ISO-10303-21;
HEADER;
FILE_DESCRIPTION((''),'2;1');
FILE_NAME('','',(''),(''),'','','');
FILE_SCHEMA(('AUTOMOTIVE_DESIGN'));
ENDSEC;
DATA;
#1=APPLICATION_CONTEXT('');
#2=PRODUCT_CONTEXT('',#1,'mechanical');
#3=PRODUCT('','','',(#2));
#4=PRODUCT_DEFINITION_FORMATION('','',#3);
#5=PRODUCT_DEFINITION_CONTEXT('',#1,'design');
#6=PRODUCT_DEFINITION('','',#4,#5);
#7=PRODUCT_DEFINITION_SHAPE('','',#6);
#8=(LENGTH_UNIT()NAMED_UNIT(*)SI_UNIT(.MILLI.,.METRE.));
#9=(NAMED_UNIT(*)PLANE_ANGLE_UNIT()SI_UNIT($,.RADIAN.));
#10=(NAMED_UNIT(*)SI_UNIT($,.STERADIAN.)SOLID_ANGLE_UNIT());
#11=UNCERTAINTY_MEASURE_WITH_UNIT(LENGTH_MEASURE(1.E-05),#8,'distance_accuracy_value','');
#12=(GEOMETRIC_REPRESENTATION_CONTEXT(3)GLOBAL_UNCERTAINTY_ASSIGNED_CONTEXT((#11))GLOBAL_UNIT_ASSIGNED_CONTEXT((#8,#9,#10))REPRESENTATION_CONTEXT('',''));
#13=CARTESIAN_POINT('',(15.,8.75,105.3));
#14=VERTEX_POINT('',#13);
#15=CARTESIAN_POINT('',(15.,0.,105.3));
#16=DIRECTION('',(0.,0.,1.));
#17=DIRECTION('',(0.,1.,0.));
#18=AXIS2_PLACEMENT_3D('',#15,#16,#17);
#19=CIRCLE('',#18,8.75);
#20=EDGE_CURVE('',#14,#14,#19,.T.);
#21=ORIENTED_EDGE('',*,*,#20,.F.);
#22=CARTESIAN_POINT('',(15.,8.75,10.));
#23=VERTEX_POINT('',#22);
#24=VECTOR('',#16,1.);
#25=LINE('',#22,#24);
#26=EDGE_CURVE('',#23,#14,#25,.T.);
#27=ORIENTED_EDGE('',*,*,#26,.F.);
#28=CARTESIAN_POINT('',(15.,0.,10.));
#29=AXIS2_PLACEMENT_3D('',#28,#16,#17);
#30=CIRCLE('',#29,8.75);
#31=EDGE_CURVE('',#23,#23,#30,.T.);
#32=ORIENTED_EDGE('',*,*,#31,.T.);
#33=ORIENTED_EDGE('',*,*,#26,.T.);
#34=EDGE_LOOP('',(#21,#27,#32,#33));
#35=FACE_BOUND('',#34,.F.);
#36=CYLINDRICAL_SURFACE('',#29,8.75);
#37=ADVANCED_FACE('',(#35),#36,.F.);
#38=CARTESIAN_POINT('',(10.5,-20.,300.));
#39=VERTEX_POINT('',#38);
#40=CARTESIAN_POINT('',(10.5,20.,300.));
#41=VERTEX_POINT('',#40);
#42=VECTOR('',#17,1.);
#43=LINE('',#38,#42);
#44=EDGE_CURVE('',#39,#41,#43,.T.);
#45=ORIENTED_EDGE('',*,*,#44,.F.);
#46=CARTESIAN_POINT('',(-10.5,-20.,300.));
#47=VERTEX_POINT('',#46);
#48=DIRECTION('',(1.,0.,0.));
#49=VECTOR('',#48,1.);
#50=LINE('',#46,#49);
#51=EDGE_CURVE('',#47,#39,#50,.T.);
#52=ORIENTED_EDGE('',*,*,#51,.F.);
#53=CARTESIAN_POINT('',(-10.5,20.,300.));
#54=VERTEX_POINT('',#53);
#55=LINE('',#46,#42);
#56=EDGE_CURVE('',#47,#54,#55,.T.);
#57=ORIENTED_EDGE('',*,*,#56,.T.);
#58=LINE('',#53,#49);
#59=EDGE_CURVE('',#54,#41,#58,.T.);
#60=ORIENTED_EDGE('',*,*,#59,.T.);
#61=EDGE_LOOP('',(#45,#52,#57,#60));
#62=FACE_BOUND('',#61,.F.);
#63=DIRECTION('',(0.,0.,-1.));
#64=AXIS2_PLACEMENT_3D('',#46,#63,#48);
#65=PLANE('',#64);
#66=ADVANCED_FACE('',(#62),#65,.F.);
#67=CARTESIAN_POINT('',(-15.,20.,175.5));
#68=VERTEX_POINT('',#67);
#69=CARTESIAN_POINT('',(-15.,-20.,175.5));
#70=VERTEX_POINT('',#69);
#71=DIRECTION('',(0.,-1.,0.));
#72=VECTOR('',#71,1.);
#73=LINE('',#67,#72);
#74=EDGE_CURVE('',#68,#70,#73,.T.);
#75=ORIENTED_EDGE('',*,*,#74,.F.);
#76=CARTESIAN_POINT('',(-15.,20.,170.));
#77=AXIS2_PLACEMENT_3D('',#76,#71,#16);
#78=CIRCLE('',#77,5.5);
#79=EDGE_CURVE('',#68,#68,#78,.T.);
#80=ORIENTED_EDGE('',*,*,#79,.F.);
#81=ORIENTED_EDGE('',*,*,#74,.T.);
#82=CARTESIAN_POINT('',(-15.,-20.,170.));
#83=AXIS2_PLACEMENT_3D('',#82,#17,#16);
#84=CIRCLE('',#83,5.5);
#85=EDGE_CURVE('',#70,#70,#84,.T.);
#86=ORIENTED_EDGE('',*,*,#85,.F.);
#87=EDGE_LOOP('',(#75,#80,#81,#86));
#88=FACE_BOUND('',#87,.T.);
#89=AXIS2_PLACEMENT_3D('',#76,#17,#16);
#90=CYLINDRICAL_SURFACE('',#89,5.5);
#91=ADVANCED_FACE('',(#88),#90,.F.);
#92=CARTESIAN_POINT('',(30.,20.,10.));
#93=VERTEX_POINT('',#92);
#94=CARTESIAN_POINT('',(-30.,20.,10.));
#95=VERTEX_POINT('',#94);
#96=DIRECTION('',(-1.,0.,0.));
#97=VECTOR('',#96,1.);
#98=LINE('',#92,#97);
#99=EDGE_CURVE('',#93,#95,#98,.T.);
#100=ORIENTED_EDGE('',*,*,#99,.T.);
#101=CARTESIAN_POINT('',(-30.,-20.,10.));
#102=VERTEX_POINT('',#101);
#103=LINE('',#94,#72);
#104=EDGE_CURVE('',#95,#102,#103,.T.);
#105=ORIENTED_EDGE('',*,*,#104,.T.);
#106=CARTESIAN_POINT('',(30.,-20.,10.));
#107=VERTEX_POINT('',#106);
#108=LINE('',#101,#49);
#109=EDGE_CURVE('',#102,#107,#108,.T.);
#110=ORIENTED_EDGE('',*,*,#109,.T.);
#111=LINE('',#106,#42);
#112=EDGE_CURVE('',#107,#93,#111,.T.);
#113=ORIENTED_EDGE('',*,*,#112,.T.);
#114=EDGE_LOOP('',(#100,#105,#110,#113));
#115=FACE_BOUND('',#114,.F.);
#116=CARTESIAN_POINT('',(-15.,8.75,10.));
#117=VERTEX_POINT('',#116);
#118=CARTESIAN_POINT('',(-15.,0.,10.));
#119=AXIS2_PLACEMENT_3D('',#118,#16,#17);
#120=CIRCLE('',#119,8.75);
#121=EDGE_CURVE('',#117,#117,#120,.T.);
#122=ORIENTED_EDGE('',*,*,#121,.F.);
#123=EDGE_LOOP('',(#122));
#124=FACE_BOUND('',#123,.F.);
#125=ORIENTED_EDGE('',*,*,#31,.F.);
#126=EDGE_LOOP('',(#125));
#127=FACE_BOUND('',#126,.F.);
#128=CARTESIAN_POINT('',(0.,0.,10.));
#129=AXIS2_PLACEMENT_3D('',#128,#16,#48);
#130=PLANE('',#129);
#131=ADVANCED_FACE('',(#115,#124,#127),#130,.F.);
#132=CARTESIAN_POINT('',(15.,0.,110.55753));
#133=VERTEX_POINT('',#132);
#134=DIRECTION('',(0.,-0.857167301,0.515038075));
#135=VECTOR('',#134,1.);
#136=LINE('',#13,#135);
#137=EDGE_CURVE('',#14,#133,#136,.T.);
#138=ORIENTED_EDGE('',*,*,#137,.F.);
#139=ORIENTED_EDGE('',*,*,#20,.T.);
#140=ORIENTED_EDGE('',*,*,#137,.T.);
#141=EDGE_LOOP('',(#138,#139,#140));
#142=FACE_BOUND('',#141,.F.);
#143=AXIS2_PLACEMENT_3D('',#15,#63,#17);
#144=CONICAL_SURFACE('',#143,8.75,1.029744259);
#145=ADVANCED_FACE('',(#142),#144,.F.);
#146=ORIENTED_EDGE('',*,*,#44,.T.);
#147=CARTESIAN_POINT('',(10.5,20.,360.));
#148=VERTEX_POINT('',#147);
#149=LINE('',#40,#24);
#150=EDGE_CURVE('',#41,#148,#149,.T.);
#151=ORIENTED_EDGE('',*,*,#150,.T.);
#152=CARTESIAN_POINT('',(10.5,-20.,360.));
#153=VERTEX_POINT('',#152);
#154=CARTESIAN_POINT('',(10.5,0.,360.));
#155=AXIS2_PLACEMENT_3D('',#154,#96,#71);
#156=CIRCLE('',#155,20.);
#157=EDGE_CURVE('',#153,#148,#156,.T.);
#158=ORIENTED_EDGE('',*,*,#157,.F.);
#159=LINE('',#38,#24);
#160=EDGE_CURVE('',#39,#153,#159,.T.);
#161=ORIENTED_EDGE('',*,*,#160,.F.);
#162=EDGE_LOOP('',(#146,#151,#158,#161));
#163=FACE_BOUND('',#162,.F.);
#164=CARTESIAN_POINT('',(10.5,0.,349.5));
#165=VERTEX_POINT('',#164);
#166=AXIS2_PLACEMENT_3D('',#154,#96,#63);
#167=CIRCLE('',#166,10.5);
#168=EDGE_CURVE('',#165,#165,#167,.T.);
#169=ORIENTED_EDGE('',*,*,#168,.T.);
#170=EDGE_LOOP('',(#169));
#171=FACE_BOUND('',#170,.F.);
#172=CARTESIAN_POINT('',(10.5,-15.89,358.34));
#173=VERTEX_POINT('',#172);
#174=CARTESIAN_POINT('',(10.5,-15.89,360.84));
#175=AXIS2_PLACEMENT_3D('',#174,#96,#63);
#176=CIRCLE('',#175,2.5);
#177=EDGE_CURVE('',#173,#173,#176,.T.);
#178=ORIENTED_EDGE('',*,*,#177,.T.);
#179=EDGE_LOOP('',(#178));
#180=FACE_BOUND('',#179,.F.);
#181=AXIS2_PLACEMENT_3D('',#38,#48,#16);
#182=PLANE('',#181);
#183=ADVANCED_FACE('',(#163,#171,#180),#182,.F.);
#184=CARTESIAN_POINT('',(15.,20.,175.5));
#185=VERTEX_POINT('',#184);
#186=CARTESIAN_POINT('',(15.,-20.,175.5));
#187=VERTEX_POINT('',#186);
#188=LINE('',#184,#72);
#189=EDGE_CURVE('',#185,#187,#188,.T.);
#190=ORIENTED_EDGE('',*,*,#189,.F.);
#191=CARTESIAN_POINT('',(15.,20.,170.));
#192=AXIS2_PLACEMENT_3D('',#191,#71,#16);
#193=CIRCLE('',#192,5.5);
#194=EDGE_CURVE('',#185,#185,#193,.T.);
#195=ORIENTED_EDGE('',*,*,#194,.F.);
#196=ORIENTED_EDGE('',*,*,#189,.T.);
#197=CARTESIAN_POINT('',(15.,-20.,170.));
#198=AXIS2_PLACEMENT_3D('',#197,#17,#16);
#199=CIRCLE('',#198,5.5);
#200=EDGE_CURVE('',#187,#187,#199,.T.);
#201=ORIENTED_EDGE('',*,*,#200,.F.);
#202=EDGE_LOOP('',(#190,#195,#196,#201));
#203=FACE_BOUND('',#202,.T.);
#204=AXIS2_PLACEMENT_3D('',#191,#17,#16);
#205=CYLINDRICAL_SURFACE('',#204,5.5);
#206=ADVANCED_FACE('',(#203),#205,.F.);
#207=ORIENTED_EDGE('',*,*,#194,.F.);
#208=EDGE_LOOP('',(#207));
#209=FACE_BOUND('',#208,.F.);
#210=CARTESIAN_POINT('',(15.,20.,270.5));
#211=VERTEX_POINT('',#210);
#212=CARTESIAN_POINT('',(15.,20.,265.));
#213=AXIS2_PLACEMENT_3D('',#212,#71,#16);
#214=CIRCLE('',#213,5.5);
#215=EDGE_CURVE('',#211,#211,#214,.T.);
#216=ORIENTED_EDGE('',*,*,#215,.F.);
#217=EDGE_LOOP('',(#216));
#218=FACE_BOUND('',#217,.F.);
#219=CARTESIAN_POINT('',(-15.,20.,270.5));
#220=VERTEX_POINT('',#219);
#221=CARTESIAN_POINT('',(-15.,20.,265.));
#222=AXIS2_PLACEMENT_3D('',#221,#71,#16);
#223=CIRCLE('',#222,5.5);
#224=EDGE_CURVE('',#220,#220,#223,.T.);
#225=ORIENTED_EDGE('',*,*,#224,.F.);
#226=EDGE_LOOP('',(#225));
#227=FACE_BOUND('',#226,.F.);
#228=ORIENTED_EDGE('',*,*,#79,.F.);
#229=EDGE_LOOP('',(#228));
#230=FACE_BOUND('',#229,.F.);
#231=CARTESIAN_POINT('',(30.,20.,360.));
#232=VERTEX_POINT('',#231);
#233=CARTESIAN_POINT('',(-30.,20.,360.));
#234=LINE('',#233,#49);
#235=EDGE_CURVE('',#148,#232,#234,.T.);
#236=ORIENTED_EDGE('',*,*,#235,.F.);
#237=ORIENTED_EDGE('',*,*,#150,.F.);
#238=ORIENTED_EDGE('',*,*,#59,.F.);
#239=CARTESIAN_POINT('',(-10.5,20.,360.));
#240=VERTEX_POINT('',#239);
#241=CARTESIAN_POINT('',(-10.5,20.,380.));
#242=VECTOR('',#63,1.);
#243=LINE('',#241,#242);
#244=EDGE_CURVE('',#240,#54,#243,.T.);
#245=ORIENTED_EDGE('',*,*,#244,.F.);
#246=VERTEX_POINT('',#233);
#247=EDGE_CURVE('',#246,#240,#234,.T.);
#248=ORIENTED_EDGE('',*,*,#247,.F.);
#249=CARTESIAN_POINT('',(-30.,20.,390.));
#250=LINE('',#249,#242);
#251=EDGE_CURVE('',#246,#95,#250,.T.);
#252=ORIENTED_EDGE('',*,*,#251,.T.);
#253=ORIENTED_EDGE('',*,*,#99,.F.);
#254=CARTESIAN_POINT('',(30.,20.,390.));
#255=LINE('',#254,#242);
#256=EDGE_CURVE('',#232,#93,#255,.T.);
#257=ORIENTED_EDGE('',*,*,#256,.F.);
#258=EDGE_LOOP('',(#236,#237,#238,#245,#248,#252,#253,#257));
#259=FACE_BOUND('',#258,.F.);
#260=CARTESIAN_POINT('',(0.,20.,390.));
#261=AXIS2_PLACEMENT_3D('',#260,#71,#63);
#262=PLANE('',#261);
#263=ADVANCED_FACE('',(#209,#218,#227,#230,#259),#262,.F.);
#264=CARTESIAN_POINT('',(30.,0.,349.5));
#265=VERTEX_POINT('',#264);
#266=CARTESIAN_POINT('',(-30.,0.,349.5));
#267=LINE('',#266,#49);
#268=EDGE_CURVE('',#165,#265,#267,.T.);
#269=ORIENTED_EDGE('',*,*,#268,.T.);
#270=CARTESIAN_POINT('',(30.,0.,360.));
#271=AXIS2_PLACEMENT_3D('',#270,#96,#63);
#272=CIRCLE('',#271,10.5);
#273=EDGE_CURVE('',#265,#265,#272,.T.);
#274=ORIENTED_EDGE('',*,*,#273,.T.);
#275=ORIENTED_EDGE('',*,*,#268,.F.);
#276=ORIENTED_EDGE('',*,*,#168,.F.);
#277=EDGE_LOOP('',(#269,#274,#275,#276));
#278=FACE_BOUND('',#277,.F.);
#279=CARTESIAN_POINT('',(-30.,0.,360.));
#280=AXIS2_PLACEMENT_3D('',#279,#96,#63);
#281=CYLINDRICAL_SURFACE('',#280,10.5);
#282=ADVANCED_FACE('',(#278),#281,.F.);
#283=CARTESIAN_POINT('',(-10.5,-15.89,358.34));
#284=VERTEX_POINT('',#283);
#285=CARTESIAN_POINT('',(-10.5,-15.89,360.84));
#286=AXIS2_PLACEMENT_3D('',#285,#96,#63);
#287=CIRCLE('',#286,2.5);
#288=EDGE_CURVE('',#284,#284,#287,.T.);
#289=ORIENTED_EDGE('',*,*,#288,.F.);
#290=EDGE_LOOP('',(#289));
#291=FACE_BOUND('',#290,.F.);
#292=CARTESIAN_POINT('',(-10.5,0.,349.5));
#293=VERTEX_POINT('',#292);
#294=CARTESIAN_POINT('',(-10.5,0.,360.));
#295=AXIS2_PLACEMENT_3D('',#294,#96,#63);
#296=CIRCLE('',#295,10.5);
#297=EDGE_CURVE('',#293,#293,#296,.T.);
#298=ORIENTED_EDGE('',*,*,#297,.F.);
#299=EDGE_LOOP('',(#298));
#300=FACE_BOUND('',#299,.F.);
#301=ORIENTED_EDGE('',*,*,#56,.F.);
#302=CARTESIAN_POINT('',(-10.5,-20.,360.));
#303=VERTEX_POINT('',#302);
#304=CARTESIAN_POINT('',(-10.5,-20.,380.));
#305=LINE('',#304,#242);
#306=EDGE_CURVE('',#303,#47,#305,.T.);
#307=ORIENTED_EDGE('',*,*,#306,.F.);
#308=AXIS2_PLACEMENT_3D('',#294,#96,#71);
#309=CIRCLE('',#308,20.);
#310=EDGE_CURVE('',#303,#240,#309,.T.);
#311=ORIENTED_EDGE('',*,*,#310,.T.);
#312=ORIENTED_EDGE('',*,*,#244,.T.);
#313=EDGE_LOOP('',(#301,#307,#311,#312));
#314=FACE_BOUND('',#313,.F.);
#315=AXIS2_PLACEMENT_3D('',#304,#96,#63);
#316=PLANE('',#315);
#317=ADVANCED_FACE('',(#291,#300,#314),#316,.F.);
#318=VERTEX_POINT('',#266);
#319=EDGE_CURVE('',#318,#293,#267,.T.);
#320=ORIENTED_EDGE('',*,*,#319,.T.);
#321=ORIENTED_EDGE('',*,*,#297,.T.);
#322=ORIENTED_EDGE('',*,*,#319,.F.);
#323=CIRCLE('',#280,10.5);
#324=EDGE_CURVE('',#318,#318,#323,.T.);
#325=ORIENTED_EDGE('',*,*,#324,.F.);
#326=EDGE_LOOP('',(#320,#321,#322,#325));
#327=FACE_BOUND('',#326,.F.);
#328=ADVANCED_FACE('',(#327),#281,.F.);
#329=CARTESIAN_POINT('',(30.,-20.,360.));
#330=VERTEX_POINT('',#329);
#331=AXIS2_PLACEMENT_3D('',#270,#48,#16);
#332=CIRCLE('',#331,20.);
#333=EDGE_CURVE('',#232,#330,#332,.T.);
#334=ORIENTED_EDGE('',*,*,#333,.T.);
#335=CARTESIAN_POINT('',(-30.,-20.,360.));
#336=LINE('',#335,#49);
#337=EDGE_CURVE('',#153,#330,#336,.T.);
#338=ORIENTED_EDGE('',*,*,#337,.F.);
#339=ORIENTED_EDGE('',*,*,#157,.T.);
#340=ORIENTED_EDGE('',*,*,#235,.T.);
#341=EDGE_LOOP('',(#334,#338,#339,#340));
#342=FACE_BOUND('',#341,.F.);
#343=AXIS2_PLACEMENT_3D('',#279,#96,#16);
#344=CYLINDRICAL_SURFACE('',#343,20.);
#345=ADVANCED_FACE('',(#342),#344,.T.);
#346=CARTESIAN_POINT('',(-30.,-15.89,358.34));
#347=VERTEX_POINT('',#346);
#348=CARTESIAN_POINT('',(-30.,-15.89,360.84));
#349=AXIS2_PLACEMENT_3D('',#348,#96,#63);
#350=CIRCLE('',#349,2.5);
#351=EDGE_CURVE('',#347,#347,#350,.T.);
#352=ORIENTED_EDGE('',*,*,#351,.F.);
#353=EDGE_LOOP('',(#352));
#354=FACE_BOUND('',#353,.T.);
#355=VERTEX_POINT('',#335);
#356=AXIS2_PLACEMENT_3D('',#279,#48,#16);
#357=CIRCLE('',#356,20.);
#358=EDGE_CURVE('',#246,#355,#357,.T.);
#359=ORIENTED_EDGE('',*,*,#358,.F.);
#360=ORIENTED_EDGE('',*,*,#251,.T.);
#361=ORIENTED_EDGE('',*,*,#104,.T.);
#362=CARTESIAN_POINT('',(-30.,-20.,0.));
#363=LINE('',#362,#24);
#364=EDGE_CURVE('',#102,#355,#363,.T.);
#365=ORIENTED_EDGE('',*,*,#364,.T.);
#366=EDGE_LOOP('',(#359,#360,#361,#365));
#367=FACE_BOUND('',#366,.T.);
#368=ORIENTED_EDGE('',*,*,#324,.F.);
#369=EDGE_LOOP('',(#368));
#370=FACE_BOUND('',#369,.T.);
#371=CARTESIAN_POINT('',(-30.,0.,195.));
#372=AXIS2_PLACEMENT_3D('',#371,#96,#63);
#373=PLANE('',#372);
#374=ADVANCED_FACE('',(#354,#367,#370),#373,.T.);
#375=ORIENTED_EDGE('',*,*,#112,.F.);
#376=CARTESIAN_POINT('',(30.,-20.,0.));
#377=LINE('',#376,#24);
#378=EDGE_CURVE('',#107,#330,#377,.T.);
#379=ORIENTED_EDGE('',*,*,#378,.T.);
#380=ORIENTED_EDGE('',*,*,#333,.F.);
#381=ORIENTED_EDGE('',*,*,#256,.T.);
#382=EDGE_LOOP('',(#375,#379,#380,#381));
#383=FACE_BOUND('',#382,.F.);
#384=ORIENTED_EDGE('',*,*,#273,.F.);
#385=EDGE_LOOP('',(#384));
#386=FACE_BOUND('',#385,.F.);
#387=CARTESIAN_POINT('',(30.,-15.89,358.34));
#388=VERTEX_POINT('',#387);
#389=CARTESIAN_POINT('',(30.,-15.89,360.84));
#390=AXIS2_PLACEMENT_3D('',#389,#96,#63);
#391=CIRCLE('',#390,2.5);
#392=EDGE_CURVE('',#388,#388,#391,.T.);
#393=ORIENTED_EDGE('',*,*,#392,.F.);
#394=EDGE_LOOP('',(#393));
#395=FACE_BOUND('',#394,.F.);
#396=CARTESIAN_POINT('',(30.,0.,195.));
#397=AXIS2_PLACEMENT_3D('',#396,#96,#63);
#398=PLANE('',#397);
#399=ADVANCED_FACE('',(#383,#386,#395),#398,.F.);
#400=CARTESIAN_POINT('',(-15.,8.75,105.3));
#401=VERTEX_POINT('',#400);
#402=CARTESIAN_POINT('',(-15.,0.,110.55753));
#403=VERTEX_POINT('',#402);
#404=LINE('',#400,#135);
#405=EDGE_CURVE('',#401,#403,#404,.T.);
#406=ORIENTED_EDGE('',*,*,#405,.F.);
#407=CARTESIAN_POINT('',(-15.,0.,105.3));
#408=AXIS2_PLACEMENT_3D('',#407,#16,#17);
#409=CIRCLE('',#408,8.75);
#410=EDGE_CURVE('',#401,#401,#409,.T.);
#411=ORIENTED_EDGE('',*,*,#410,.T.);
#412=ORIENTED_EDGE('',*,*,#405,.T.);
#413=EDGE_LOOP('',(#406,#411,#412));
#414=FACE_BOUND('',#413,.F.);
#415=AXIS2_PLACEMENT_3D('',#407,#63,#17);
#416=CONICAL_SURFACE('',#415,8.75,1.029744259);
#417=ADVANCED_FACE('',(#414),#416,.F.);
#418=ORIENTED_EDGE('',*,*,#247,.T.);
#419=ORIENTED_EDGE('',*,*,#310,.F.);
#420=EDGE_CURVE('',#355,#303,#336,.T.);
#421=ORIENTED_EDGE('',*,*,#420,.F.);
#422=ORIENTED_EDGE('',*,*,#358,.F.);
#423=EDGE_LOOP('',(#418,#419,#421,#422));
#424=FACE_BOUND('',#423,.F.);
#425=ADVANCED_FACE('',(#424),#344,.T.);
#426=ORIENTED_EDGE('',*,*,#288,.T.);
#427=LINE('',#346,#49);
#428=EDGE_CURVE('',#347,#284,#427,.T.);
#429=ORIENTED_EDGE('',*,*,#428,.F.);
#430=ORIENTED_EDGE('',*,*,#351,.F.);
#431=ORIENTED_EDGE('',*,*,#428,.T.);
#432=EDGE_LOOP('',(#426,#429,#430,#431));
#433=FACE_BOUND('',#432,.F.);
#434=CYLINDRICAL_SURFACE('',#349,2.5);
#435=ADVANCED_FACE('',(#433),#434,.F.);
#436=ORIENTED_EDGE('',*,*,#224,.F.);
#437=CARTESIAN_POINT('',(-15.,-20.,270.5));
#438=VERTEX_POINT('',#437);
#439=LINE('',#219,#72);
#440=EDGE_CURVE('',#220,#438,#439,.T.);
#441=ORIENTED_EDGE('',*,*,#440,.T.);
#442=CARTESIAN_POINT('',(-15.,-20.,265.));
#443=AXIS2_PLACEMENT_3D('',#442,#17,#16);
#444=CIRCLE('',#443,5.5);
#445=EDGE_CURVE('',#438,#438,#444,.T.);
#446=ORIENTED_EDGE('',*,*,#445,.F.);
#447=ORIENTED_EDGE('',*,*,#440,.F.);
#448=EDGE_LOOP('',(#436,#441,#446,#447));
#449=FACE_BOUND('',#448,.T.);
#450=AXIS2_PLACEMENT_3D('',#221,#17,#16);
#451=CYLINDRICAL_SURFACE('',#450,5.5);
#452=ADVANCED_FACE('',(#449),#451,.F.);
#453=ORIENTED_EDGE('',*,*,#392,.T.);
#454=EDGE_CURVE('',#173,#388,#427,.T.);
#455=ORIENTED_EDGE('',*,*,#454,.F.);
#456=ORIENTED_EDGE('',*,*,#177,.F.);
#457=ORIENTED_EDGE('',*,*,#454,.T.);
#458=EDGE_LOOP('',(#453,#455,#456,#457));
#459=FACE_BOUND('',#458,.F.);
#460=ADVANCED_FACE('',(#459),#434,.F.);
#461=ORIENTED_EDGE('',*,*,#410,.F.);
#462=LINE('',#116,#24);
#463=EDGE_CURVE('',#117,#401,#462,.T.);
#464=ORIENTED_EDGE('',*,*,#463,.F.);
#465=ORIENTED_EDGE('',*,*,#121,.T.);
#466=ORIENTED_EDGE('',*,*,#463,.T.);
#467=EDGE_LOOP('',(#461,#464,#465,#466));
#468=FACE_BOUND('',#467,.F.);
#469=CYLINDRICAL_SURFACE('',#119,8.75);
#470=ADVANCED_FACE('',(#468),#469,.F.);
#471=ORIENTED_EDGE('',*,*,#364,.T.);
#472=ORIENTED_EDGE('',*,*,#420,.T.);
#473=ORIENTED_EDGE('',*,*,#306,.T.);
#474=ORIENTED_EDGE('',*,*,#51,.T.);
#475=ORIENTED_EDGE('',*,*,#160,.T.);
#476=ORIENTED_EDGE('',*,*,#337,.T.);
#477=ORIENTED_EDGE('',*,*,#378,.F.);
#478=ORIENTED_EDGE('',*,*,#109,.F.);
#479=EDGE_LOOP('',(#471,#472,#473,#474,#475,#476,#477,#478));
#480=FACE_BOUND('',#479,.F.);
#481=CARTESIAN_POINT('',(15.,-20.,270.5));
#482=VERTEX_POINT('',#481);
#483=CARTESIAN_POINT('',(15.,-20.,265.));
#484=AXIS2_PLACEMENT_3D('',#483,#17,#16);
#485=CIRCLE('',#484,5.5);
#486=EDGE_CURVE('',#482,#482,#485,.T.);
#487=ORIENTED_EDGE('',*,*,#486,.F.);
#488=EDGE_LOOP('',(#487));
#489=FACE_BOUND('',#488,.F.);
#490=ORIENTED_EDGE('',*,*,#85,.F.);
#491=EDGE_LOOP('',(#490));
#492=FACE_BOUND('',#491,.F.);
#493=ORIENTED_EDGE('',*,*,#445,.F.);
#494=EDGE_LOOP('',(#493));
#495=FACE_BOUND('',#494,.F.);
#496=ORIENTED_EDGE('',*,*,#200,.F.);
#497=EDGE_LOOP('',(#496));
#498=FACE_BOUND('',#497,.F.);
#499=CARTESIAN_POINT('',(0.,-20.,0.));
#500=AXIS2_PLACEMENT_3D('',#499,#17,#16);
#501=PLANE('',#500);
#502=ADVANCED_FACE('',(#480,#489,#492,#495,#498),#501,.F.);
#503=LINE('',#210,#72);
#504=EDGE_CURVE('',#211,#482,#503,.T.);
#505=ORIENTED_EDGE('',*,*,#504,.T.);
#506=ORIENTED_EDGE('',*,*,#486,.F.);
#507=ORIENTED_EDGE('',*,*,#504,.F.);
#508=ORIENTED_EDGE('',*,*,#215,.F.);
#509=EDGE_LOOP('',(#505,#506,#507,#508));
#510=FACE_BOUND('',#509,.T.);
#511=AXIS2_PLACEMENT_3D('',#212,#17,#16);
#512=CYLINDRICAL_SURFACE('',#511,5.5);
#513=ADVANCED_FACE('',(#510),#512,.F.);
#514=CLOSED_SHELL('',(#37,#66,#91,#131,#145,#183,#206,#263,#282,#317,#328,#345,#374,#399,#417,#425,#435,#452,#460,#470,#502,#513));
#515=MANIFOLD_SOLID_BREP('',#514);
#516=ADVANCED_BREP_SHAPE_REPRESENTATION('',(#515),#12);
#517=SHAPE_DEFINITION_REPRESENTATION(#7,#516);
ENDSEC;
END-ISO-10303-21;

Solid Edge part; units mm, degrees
sketch "Sketch1" plane through (0, 0, 0) normal (-1, 0, 0) x (0, -1, 0)
  line L0 (-20, 0) -> (20, 0)
  line L1 (20, 0) -> (20, 390)
  line L2 (20, 390) -> (-20, 390)
  line L3 (-20, 390) -> (-20, 0)
extrude "Protrusion1" add sketch "Sketch1" along normal mid plane 60
sketch "Sketch2" plane through (-30, 0, 187.5) normal (-1, 0, 0) x (0, 0, -1)
  circle A0 centre (-172.5, 0) radius 10.5
extrude "ExtrudedCutout_1" cut sketch "Sketch2" against normal blind 60
sketch "Sketch3" plane through (-30, 0, 187.5) normal (-1, 0, 0) x (0, 0, 1)
  line L0 (202.5, -20) -> (172.5, -20)
  line L1 (202.5, 20) -> (202.5, -20)
  line L2 (172.5, 20) -> (202.5, 20)
  arc A0 (172.5, 20) -> (172.5, -20) centre (172.5, 0) cw
extrude "ExtrudedCutout_2" cut sketch "Sketch3" against normal blind 60
extrude "ExtrudedCutout_3" [suppressed]
sketch "Sketch4" plane through (0, 0, 0) normal (0, 0, -1) x (0, -1, 0)
  line L0 (-20, 30) -> (20, 30)
  line L1 (20, 30) -> (20, -30)
  line L2 (20, -30) -> (-20, -30)
  line L3 (-20, -30) -> (-20, 30)
extrude "ExtrudedCutout_9" cut sketch "Sketch4" against normal blind 10
sketch "Sketch5" plane through (0, -20, 185) normal (0, -1, 0) x (0, 0, 1)
  line L0 (115, -10.5) -> (195, -10.5)
  line L1 (195, -10.5) -> (195, 10.5)
  line L2 (195, 10.5) -> (115, 10.5)
  line L3 (115, 10.5) -> (115, -10.5)
extrude "ExtrudedCutout_11" cut sketch "Sketch5" against normal blind 40
sketch "Sketch6" plane through (-30, 0, 195) normal (-1, 0, 0) x (0, 0, -1)
  circle A0 centre (-165.84, 15.89) radius 2.5
extrude "ExtrudedCutout_13" cut sketch "Sketch6" against normal blind 60
hole "Hole_1" at (15, 0, 10) direction (0, 0, 1) diameter 17.5 depth 95.3 tip angle 118
hole "Hole1" at (-15, 0, 10) direction (0, 0, 1) diameter 17.5 depth 95.3 tip angle 118
hole "Hole_3" at (15, 20, 170) direction (0, -1, 0) diameter 11 end up to next
hole "Hole2" at (-15, 20, 170) direction (0, -1, 0) diameter 11 end up to next
hole "Hole3" at (15, 20, 265) direction (0, -1, 0) diameter 11 end up to next
hole "Hole4" at (-15, 20, 265) direction (0, -1, 0) diameter 11 end up to next
properties material "Steel - Stainless:1.4301 , X5CrNi18-10"
